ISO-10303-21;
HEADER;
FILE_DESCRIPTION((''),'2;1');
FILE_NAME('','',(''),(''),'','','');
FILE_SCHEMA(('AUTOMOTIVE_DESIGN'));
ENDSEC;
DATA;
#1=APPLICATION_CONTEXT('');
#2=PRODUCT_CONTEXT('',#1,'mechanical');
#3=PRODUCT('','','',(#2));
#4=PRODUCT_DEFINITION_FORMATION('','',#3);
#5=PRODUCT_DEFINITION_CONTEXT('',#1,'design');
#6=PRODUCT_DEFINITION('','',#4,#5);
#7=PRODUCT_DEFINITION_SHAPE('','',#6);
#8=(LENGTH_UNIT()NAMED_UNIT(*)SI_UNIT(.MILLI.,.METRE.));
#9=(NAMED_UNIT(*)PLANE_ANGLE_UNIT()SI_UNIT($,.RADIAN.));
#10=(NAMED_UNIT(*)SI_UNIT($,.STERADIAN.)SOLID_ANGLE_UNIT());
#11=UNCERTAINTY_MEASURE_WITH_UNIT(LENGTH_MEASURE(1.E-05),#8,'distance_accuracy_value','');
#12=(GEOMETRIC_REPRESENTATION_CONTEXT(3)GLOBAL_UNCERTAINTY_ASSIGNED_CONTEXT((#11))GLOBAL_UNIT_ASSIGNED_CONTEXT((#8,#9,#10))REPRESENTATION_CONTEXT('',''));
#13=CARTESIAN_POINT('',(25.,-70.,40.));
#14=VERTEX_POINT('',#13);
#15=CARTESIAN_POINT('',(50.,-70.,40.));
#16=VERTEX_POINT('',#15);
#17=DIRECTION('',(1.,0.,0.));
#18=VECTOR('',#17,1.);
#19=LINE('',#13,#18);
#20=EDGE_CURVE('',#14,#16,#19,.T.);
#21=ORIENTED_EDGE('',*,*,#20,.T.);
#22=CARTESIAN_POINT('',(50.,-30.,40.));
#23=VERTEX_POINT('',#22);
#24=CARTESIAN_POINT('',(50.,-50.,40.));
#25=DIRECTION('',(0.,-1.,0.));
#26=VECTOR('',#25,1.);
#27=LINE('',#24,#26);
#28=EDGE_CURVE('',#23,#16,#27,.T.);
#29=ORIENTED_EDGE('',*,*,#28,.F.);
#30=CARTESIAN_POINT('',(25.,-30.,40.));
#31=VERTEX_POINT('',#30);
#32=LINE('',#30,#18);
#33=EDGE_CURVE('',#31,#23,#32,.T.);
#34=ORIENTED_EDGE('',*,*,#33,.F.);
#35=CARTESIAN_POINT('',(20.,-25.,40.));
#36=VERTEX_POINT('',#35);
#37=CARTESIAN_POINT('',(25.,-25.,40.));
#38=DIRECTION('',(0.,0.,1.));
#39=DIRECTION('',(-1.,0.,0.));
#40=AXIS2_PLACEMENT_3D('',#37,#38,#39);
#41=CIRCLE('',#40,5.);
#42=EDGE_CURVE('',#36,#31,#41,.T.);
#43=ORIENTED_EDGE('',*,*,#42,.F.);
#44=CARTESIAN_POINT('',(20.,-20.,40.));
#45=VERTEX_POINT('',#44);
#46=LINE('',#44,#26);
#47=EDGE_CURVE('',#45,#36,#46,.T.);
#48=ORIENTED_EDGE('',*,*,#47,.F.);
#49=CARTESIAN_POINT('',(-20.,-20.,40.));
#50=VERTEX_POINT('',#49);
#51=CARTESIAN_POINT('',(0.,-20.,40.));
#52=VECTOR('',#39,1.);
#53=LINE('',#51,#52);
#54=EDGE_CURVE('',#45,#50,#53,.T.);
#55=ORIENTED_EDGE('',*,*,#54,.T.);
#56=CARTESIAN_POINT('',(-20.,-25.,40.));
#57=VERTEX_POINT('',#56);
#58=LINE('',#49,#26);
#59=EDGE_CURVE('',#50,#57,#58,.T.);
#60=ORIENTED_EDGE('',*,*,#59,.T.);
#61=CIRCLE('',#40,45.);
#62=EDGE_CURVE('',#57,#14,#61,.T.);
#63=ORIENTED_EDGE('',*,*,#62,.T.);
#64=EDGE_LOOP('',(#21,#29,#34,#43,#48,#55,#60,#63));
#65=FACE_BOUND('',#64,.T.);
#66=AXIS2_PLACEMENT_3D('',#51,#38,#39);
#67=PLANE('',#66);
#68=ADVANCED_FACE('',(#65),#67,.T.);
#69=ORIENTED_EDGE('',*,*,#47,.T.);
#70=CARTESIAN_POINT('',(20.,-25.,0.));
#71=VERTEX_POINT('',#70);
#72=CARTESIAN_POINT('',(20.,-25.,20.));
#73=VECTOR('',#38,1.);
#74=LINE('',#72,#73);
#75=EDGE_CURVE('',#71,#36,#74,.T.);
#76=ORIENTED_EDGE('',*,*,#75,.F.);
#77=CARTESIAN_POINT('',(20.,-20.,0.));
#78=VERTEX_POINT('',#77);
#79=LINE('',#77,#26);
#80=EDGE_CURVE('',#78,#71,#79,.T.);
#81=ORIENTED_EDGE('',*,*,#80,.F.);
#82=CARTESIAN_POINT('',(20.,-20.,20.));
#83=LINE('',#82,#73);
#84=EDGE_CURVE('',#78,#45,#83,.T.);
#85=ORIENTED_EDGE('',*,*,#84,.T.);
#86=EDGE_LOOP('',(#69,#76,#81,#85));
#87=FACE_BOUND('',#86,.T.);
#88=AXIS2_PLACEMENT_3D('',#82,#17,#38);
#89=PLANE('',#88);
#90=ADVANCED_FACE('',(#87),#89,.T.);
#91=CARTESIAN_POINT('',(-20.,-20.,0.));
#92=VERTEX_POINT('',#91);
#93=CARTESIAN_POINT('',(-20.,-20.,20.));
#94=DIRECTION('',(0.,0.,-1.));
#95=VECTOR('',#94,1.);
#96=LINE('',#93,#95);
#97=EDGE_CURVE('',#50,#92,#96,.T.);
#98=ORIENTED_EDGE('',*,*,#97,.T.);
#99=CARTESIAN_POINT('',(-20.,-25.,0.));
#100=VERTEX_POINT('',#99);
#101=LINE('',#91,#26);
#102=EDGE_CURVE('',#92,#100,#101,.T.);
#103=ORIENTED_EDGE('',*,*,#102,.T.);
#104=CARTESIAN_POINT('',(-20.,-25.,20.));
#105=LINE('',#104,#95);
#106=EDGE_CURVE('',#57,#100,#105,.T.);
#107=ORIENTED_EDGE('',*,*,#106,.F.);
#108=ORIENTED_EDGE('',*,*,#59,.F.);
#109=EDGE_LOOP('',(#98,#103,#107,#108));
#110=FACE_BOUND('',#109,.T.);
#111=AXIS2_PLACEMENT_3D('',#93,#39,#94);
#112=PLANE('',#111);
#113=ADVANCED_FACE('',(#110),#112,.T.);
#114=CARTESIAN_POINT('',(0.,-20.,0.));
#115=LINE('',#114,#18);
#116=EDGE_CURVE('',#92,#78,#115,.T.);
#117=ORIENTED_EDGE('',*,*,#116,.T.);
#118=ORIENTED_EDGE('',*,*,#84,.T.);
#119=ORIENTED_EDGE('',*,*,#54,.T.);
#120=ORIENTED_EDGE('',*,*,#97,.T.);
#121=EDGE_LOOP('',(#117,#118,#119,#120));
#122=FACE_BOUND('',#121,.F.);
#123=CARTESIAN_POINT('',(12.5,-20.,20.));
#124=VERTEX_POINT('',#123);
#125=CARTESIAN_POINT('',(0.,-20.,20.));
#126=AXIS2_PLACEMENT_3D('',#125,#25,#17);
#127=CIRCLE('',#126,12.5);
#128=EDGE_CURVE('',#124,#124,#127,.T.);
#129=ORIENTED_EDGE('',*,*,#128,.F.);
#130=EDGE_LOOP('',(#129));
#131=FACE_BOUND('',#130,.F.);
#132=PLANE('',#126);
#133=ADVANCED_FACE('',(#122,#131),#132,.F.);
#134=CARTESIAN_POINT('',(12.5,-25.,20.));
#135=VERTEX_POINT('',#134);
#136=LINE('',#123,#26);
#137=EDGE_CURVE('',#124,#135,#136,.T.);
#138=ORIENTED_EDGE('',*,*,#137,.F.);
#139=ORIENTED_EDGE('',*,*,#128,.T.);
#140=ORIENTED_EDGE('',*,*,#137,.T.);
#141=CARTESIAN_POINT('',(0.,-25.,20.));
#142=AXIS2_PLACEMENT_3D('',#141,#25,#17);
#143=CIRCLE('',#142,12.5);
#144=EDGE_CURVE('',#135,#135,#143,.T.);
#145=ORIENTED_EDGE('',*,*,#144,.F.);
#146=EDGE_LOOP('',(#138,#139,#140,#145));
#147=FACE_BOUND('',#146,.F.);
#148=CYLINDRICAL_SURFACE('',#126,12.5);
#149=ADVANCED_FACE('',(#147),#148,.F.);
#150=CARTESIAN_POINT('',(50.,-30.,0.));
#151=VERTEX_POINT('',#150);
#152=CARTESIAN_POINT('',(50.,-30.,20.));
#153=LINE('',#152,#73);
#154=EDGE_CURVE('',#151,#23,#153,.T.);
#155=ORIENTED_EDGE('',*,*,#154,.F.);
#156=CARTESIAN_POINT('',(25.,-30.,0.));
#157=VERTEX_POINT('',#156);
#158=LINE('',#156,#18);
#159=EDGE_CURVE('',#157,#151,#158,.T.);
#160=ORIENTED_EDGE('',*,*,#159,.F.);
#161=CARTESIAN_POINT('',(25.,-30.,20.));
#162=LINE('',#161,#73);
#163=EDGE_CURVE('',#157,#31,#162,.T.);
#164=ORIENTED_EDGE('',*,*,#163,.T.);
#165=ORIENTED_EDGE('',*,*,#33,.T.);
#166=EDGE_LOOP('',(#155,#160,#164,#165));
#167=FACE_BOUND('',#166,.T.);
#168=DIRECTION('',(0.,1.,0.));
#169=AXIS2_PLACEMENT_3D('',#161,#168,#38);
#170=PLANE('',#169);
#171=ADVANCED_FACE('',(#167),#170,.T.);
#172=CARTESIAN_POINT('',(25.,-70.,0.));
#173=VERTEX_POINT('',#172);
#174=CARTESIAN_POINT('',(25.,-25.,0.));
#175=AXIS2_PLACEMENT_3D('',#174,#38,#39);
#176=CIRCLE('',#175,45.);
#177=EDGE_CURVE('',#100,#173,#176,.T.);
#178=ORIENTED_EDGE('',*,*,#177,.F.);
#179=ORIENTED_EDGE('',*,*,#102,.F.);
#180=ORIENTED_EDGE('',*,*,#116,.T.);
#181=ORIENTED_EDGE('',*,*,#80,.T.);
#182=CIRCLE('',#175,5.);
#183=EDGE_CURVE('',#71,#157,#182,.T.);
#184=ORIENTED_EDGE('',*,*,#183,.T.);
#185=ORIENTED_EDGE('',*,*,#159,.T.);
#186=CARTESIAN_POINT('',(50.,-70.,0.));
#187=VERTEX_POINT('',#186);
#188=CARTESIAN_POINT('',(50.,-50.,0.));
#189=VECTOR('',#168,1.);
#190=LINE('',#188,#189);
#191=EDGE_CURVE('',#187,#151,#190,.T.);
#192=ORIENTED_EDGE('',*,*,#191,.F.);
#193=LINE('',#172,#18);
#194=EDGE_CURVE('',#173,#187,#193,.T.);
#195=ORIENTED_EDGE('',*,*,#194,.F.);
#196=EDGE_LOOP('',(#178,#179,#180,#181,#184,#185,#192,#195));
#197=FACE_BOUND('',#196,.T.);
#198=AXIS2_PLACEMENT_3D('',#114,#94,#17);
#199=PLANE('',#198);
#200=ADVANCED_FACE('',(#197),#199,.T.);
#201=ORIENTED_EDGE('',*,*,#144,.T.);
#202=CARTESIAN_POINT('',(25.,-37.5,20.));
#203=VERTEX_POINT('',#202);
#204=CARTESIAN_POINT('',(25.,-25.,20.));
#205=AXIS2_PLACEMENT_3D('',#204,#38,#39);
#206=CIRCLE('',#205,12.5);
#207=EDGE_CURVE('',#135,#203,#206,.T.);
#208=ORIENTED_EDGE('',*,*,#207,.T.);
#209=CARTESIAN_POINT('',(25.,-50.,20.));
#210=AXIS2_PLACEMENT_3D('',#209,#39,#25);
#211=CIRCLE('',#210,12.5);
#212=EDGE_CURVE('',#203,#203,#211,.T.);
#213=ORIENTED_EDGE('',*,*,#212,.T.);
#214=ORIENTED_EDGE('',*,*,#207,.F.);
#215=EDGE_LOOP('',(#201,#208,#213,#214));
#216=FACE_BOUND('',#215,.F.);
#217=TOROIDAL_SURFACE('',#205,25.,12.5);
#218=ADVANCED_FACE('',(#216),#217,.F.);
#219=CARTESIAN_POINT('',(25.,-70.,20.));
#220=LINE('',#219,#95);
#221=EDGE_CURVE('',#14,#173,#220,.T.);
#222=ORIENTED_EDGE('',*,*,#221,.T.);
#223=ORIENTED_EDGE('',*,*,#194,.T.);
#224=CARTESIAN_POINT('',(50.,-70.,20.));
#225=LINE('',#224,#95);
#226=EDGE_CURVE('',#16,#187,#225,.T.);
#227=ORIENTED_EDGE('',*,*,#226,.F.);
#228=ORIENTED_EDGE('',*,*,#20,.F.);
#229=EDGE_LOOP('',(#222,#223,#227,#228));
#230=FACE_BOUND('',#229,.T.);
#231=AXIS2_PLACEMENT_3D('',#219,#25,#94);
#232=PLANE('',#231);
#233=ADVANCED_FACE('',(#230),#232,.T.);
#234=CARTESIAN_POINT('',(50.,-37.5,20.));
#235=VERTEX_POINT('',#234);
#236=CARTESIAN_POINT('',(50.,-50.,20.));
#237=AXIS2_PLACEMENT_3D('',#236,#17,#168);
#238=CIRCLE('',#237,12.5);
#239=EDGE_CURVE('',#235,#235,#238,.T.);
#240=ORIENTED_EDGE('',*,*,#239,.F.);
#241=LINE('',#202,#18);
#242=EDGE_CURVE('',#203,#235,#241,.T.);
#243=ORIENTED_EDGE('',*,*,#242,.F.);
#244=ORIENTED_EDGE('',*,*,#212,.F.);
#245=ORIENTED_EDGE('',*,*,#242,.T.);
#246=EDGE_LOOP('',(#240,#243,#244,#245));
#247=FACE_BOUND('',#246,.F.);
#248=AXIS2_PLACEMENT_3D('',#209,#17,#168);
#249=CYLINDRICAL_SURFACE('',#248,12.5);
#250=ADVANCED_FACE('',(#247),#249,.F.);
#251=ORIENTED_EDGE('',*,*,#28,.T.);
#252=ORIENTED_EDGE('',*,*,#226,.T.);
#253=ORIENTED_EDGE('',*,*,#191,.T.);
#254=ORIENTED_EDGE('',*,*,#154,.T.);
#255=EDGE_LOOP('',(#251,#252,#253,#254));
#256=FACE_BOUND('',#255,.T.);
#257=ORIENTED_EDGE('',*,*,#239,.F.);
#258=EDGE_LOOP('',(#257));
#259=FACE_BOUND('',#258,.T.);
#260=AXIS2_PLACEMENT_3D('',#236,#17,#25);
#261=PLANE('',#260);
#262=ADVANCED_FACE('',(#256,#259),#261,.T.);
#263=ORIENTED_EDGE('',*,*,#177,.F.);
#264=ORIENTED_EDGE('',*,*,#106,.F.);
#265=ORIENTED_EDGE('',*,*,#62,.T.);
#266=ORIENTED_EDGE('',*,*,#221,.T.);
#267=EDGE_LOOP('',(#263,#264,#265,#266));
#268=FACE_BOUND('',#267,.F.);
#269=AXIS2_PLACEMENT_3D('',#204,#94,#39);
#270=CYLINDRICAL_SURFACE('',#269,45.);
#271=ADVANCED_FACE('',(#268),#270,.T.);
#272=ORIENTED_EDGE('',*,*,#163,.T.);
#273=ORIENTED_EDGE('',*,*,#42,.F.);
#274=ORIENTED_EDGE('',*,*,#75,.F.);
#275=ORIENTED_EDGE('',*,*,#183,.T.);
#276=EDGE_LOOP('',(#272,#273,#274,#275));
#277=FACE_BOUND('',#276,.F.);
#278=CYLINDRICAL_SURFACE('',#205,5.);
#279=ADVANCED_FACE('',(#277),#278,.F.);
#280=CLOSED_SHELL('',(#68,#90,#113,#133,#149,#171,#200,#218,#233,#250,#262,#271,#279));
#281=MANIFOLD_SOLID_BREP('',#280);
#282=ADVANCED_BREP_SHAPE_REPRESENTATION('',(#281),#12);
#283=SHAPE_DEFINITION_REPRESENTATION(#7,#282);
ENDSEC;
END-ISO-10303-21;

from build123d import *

# Parameters (mm, degrees)
F0_W     = 40
F0_H     = 40
F0_R     = 12.5
F3_ANGLE = 90


with BuildPart() as f2:
    # F2: sweep along a path in F1
    with BuildLine(Plane.XZ) as f2_path:
        Line((0, 0), (0, 5))
        ThreePointArc((0, 5), (7.3223304703, 22.6776695297), (25, 30))
        Line((25, 30), (50, 30))
    # F0 (on Top) → F2 (sweep)
    with BuildSketch(Plane.XY):
        Rectangle(F0_W, F0_H)
        Circle(F0_R, mode=Mode.SUBTRACT)
    sweep(path=f2_path.line)


with BuildPart() as f2_1:
    # F3: moved
    add(f2.part.rotate(Axis((0, -20, 0), (1, 0, 0)), F3_ANGLE))


solid = f2_1.part
